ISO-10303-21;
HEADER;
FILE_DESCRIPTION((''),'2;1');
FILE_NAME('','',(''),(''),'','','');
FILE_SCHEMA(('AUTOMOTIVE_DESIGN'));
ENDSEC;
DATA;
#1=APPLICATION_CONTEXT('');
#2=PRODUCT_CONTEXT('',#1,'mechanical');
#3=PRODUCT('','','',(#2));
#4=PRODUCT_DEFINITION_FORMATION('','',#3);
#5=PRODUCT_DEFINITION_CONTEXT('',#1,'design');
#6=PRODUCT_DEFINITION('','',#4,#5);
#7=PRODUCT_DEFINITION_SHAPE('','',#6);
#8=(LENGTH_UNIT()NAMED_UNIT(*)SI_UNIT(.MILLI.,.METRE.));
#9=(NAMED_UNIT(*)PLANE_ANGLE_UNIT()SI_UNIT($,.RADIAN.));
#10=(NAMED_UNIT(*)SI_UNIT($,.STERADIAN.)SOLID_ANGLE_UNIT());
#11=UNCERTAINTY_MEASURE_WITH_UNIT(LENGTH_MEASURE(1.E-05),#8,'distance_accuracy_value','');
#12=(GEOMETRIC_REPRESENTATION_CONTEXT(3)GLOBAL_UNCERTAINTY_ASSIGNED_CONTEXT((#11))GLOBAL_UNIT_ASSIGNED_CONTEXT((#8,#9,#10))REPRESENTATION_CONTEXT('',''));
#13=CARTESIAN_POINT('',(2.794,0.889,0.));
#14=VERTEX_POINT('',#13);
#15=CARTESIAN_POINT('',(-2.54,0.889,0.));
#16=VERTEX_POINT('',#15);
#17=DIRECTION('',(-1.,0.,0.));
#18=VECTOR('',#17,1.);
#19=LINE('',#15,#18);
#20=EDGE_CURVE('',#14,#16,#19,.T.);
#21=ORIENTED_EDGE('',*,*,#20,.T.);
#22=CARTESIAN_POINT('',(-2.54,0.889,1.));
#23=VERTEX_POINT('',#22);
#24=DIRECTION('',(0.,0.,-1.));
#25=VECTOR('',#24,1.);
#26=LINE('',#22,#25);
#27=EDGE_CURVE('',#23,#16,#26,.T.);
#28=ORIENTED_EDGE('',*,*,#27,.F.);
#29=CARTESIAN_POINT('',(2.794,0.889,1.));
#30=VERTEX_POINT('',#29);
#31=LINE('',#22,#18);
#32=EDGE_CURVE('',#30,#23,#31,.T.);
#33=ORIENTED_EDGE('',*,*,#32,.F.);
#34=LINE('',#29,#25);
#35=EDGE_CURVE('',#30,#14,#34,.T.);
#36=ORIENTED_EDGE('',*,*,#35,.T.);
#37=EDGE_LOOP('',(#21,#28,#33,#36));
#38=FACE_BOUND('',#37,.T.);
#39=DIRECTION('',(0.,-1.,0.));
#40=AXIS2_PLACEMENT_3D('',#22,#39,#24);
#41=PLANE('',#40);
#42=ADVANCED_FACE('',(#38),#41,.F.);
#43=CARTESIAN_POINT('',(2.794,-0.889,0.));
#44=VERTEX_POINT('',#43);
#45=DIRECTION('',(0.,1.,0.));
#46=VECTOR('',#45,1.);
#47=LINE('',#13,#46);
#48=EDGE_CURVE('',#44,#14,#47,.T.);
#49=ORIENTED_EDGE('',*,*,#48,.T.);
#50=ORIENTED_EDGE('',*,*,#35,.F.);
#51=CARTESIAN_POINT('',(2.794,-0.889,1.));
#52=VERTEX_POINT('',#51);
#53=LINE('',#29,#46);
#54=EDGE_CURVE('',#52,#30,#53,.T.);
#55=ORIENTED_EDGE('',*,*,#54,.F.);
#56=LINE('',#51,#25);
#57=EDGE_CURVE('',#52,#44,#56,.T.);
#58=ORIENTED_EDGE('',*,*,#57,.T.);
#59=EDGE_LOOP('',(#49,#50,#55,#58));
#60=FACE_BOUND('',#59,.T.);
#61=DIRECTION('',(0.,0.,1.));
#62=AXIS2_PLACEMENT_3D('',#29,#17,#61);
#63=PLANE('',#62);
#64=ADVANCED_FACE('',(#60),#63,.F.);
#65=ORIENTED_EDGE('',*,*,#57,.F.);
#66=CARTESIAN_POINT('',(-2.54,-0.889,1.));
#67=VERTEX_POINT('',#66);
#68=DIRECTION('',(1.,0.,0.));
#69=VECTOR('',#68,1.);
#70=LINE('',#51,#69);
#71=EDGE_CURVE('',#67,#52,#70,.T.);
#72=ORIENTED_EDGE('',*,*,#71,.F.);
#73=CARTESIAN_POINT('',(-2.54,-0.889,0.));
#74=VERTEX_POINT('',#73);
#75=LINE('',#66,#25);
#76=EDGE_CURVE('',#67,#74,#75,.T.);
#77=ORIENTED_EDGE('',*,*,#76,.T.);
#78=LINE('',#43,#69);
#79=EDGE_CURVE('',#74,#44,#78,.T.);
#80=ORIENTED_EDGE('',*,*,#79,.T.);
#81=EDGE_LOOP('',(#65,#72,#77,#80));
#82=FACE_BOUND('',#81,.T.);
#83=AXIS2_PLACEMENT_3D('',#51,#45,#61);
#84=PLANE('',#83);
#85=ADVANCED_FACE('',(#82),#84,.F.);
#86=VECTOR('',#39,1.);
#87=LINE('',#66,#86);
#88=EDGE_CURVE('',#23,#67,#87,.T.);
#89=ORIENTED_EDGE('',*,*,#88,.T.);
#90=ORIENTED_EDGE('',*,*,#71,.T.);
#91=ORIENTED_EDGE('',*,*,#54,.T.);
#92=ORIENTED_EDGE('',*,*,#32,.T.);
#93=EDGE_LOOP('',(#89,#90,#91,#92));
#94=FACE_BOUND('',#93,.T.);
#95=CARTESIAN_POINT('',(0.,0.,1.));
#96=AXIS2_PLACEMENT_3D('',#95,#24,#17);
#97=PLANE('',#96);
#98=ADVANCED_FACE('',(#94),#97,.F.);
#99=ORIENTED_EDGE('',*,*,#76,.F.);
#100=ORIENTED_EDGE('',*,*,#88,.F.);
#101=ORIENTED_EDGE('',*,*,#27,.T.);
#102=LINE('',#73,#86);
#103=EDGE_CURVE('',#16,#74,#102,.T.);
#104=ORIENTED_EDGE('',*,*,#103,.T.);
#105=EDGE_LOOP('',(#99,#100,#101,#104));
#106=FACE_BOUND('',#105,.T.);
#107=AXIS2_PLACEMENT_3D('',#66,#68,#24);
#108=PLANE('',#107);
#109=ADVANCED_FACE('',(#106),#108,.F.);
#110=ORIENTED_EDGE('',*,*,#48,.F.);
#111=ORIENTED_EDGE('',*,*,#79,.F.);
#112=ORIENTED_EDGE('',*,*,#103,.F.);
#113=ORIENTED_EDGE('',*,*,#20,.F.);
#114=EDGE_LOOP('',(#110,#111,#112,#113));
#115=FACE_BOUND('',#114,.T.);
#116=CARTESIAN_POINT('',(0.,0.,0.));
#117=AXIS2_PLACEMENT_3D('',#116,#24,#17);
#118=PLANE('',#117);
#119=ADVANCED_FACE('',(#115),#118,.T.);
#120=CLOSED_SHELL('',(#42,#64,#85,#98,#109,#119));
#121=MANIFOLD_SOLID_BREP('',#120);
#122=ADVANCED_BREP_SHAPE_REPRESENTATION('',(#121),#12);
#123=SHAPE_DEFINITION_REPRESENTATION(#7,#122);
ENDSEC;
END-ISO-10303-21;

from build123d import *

# Parameters (mm, degrees)
SKIZZE1_W               = 5.334
SKIZZE1_H               = 1.778
COMPONENT_OUTLINE_DEPTH = 1


with BuildPart() as part:
    # Skizze1 → Component_Outline (new body)
    with BuildSketch(Plane.XY):
        with Locations((0.127, 0)):
            Rectangle(SKIZZE1_W, SKIZZE1_H)
    extrude(amount=COMPONENT_OUTLINE_DEPTH)


solid = part.part
